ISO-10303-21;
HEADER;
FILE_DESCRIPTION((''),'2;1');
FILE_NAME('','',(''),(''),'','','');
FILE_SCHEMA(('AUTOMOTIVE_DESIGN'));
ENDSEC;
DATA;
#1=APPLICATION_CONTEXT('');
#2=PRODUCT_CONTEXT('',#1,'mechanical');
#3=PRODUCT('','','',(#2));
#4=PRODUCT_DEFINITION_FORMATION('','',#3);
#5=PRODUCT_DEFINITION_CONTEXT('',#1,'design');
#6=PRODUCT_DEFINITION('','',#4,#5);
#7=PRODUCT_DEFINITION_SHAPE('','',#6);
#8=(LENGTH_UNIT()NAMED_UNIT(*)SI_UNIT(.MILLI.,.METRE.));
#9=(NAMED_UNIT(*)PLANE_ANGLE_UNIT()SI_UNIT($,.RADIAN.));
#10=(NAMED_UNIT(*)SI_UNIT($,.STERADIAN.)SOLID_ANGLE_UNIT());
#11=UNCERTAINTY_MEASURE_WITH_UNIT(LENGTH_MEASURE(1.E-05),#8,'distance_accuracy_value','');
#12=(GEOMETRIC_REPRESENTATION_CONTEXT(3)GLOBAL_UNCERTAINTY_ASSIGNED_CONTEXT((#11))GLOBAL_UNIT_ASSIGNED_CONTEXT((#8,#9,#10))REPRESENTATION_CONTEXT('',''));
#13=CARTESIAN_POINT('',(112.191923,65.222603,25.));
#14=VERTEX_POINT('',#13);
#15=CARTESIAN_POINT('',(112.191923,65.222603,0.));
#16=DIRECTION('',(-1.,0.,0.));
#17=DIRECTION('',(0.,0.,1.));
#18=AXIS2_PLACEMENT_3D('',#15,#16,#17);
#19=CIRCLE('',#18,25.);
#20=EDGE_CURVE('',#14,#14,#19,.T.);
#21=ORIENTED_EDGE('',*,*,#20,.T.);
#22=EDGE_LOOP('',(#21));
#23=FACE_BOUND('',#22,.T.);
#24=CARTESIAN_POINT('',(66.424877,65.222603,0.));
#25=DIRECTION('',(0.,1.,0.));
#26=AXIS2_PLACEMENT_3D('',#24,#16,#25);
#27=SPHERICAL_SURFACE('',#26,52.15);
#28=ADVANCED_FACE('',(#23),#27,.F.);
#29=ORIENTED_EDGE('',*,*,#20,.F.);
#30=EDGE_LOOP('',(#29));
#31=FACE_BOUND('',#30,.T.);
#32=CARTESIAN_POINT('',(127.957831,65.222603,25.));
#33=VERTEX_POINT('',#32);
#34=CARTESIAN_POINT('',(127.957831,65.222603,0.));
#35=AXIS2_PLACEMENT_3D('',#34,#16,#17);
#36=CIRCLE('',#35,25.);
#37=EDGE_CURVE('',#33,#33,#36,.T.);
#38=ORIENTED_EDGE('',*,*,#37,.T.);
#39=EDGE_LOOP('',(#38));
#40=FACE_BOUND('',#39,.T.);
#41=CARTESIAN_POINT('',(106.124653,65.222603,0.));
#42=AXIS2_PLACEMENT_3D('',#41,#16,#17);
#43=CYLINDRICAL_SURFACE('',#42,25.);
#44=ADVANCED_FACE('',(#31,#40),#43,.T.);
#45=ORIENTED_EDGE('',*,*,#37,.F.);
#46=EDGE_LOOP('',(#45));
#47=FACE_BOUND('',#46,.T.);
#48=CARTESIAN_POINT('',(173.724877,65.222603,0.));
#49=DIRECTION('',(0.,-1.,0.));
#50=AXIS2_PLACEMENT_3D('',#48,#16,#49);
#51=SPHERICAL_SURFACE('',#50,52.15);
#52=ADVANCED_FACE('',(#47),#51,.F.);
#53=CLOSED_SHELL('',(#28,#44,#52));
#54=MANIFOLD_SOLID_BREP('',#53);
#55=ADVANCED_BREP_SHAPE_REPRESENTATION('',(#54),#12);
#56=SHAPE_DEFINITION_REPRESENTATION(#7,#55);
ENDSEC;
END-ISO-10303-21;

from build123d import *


with BuildPart() as part:
    # 草图1 → 旋转1 (revolve)
    with BuildSketch(Plane.XY, mode=Mode.PRIVATE) as revolve_1_sk:
        with BuildLine():
            Line((121.574877167, 65.222602873), (118.574877167, 65.222602873))
            ThreePointArc((118.574877167, 65.222602873), (116.953947756, 78.123592193), (112.191923172, 90.222602873))
            Line((112.191923172, 90.222602873), (120.074877167, 90.222602873))
            Line((120.074877167, 90.222602873), (127.957831163, 90.222602873))
            ThreePointArc((127.957831163, 90.222602873), (123.195806578, 78.123592193), (121.574877167, 65.222602873))
        make_face()
    revolve(revolve_1_sk.sketch.rotate(Axis((106.124652785, 65.222602873, 0), (1, 0, 0)), 90), axis=Axis((106.124652785, 65.222602873, 0), (1, 0, 0)))  # turned: the seam where the file's is


solid = part.part
